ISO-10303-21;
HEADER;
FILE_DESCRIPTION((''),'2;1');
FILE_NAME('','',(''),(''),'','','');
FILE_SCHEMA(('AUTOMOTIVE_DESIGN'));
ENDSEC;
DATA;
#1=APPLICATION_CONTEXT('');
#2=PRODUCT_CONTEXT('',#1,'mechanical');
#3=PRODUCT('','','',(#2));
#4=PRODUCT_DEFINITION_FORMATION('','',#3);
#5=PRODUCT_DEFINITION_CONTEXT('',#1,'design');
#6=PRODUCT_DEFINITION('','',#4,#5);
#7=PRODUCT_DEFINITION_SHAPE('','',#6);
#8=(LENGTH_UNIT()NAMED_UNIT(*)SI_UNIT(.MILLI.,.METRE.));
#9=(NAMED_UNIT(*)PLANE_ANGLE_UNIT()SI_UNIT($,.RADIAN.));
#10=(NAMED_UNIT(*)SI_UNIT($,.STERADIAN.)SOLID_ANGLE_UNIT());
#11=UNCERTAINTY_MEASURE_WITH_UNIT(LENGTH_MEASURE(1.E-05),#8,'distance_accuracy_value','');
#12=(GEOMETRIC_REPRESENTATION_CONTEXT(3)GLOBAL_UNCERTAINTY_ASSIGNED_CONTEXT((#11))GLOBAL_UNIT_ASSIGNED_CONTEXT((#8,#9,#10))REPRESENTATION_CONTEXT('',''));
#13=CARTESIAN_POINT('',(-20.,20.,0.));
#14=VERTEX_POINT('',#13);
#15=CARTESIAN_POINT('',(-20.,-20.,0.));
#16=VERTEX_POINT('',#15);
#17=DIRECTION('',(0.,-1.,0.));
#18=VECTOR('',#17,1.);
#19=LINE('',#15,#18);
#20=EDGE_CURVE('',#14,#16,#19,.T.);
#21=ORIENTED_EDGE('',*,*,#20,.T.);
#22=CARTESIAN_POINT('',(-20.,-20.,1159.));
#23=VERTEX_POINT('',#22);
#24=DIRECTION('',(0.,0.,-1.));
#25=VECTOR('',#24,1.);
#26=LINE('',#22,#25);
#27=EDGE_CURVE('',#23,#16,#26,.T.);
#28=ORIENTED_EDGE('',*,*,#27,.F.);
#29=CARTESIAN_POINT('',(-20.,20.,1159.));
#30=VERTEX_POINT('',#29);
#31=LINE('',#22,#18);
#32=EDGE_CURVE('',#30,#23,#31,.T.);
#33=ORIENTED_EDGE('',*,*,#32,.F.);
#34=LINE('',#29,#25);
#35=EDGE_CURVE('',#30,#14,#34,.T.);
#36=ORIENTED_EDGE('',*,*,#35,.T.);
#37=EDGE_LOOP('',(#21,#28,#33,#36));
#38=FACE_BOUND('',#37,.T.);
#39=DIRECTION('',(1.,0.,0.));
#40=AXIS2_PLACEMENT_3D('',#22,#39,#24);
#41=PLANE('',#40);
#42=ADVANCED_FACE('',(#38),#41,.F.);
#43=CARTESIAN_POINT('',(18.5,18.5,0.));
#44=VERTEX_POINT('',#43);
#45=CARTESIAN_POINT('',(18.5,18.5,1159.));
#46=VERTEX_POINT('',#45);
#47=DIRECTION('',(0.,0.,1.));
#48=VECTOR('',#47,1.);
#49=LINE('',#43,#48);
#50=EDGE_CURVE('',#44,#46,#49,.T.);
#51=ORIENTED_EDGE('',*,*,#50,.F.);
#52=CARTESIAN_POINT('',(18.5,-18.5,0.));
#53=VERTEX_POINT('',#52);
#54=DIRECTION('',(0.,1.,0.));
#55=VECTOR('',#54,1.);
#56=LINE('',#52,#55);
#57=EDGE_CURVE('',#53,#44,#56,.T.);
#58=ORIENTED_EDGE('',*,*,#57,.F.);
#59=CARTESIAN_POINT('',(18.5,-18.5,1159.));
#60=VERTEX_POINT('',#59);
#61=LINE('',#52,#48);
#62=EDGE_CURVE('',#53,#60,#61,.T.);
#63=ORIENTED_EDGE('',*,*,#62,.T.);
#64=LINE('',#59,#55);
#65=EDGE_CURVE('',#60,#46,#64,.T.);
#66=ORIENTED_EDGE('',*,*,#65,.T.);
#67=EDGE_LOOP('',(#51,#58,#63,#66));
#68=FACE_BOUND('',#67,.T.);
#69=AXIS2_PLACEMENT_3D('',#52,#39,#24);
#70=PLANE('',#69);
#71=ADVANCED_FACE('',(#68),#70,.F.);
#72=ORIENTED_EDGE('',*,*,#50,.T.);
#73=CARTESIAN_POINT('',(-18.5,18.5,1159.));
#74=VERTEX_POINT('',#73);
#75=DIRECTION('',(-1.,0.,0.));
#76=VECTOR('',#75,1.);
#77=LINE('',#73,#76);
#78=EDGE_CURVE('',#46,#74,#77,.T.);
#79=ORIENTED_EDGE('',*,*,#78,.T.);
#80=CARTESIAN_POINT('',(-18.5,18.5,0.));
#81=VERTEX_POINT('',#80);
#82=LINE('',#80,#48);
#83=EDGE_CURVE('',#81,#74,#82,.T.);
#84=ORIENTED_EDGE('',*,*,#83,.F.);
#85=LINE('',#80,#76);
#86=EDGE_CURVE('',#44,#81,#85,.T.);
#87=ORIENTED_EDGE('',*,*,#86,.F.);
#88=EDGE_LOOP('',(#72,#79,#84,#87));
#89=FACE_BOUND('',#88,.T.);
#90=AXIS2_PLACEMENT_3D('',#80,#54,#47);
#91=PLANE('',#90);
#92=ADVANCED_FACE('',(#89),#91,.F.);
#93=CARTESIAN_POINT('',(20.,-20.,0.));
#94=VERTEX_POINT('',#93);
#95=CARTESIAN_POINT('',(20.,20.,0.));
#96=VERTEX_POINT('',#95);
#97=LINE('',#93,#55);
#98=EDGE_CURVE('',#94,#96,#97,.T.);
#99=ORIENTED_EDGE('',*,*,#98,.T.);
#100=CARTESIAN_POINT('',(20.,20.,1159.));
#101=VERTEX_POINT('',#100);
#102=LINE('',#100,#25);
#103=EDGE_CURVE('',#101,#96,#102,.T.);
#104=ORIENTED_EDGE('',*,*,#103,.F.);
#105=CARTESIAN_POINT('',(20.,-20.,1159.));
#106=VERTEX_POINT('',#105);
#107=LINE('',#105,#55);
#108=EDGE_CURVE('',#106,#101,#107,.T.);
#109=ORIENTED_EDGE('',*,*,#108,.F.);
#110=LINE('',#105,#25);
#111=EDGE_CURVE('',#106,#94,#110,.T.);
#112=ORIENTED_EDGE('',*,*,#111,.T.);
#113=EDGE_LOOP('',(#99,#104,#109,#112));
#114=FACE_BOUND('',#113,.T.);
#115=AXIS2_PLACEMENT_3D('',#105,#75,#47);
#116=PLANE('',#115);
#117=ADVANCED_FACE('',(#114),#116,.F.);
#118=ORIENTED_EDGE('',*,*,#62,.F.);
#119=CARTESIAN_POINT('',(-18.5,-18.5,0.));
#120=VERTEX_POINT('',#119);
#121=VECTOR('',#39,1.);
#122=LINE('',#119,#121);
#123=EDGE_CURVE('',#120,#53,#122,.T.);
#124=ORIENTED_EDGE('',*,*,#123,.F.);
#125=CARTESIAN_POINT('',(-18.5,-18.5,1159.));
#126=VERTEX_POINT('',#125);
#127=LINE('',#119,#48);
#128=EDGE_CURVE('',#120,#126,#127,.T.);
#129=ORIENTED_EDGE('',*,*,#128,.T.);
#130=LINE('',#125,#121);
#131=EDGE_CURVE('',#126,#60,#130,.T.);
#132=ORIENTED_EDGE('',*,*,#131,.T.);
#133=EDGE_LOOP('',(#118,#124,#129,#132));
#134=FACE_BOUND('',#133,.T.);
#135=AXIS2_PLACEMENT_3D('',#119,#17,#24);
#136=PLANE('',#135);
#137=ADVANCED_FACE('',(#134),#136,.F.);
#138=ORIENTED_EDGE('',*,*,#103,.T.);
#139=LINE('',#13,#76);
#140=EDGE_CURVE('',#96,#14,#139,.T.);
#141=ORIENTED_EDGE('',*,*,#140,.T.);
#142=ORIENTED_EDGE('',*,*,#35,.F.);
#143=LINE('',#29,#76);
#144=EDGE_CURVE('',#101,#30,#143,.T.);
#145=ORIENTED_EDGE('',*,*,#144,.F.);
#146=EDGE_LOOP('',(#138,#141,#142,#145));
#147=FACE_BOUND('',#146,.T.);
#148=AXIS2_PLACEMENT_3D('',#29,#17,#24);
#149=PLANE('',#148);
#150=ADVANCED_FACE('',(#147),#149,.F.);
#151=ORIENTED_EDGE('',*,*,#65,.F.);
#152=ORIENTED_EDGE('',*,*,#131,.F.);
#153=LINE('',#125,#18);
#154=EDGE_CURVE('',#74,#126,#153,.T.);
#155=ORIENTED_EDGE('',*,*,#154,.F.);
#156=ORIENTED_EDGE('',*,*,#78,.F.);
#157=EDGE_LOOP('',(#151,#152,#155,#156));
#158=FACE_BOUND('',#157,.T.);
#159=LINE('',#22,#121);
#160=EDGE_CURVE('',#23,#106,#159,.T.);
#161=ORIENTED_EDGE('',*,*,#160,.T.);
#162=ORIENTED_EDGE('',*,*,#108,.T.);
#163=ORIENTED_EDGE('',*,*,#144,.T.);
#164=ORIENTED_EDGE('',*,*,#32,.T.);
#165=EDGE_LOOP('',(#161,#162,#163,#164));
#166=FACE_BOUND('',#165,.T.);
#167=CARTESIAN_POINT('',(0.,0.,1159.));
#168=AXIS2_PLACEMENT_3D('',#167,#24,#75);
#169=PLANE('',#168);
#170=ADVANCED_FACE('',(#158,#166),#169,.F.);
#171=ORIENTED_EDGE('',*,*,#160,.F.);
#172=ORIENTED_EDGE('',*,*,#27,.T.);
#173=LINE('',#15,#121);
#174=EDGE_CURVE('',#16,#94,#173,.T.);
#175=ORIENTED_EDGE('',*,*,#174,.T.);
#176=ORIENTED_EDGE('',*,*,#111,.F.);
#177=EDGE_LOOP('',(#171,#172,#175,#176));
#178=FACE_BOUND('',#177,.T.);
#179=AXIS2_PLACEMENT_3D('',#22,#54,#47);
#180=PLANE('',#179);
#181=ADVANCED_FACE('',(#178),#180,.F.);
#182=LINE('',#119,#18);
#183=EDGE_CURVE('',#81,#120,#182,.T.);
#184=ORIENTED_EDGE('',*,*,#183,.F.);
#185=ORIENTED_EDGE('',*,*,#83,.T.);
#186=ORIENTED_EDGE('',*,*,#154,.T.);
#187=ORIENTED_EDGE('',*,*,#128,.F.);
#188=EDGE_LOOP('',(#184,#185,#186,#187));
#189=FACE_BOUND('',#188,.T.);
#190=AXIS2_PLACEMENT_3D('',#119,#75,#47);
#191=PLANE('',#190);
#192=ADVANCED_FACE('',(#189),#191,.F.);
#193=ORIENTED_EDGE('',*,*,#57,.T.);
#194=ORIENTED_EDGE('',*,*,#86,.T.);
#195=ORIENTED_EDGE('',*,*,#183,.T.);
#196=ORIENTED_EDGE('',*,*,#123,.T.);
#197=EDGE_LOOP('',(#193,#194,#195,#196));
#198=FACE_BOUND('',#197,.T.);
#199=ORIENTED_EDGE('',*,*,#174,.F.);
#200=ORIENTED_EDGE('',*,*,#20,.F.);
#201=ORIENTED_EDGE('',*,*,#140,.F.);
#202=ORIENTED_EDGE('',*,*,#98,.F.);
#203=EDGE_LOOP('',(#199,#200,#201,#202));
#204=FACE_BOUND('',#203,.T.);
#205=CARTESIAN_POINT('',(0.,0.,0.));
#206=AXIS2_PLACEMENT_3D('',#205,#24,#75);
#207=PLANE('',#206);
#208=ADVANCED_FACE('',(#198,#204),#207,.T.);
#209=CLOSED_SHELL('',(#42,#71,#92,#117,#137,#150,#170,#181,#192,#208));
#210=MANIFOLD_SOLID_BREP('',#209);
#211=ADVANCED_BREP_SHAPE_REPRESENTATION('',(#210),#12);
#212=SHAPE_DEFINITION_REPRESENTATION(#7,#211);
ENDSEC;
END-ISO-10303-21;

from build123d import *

# Parameters (mm, degrees)
ESBO_O1_W                = 40
ESBO_O1_H                = 40
RESSALTO_EXTRUS_O1_DEPTH = 1159
ESBO_O2_W                = 37
ESBO_O2_H                = 37
CORTE_EXTRUS_O1_DEPTH    = 1160


with BuildPart() as part:
    # Esboço1 → Ressalto-extrusão1 (new body)
    with BuildSketch(Plane.XY):
        Rectangle(ESBO_O1_W, ESBO_O1_H)
    extrude(amount=RESSALTO_EXTRUS_O1_DEPTH)

    # Esboço2 → Corte-extrusão1 (cut, through all)
    with BuildSketch(Plane.XY.offset(1159)):
        Rectangle(ESBO_O2_W, ESBO_O2_H)
    extrude(amount=-CORTE_EXTRUS_O1_DEPTH, mode=Mode.SUBTRACT)


solid = part.part
